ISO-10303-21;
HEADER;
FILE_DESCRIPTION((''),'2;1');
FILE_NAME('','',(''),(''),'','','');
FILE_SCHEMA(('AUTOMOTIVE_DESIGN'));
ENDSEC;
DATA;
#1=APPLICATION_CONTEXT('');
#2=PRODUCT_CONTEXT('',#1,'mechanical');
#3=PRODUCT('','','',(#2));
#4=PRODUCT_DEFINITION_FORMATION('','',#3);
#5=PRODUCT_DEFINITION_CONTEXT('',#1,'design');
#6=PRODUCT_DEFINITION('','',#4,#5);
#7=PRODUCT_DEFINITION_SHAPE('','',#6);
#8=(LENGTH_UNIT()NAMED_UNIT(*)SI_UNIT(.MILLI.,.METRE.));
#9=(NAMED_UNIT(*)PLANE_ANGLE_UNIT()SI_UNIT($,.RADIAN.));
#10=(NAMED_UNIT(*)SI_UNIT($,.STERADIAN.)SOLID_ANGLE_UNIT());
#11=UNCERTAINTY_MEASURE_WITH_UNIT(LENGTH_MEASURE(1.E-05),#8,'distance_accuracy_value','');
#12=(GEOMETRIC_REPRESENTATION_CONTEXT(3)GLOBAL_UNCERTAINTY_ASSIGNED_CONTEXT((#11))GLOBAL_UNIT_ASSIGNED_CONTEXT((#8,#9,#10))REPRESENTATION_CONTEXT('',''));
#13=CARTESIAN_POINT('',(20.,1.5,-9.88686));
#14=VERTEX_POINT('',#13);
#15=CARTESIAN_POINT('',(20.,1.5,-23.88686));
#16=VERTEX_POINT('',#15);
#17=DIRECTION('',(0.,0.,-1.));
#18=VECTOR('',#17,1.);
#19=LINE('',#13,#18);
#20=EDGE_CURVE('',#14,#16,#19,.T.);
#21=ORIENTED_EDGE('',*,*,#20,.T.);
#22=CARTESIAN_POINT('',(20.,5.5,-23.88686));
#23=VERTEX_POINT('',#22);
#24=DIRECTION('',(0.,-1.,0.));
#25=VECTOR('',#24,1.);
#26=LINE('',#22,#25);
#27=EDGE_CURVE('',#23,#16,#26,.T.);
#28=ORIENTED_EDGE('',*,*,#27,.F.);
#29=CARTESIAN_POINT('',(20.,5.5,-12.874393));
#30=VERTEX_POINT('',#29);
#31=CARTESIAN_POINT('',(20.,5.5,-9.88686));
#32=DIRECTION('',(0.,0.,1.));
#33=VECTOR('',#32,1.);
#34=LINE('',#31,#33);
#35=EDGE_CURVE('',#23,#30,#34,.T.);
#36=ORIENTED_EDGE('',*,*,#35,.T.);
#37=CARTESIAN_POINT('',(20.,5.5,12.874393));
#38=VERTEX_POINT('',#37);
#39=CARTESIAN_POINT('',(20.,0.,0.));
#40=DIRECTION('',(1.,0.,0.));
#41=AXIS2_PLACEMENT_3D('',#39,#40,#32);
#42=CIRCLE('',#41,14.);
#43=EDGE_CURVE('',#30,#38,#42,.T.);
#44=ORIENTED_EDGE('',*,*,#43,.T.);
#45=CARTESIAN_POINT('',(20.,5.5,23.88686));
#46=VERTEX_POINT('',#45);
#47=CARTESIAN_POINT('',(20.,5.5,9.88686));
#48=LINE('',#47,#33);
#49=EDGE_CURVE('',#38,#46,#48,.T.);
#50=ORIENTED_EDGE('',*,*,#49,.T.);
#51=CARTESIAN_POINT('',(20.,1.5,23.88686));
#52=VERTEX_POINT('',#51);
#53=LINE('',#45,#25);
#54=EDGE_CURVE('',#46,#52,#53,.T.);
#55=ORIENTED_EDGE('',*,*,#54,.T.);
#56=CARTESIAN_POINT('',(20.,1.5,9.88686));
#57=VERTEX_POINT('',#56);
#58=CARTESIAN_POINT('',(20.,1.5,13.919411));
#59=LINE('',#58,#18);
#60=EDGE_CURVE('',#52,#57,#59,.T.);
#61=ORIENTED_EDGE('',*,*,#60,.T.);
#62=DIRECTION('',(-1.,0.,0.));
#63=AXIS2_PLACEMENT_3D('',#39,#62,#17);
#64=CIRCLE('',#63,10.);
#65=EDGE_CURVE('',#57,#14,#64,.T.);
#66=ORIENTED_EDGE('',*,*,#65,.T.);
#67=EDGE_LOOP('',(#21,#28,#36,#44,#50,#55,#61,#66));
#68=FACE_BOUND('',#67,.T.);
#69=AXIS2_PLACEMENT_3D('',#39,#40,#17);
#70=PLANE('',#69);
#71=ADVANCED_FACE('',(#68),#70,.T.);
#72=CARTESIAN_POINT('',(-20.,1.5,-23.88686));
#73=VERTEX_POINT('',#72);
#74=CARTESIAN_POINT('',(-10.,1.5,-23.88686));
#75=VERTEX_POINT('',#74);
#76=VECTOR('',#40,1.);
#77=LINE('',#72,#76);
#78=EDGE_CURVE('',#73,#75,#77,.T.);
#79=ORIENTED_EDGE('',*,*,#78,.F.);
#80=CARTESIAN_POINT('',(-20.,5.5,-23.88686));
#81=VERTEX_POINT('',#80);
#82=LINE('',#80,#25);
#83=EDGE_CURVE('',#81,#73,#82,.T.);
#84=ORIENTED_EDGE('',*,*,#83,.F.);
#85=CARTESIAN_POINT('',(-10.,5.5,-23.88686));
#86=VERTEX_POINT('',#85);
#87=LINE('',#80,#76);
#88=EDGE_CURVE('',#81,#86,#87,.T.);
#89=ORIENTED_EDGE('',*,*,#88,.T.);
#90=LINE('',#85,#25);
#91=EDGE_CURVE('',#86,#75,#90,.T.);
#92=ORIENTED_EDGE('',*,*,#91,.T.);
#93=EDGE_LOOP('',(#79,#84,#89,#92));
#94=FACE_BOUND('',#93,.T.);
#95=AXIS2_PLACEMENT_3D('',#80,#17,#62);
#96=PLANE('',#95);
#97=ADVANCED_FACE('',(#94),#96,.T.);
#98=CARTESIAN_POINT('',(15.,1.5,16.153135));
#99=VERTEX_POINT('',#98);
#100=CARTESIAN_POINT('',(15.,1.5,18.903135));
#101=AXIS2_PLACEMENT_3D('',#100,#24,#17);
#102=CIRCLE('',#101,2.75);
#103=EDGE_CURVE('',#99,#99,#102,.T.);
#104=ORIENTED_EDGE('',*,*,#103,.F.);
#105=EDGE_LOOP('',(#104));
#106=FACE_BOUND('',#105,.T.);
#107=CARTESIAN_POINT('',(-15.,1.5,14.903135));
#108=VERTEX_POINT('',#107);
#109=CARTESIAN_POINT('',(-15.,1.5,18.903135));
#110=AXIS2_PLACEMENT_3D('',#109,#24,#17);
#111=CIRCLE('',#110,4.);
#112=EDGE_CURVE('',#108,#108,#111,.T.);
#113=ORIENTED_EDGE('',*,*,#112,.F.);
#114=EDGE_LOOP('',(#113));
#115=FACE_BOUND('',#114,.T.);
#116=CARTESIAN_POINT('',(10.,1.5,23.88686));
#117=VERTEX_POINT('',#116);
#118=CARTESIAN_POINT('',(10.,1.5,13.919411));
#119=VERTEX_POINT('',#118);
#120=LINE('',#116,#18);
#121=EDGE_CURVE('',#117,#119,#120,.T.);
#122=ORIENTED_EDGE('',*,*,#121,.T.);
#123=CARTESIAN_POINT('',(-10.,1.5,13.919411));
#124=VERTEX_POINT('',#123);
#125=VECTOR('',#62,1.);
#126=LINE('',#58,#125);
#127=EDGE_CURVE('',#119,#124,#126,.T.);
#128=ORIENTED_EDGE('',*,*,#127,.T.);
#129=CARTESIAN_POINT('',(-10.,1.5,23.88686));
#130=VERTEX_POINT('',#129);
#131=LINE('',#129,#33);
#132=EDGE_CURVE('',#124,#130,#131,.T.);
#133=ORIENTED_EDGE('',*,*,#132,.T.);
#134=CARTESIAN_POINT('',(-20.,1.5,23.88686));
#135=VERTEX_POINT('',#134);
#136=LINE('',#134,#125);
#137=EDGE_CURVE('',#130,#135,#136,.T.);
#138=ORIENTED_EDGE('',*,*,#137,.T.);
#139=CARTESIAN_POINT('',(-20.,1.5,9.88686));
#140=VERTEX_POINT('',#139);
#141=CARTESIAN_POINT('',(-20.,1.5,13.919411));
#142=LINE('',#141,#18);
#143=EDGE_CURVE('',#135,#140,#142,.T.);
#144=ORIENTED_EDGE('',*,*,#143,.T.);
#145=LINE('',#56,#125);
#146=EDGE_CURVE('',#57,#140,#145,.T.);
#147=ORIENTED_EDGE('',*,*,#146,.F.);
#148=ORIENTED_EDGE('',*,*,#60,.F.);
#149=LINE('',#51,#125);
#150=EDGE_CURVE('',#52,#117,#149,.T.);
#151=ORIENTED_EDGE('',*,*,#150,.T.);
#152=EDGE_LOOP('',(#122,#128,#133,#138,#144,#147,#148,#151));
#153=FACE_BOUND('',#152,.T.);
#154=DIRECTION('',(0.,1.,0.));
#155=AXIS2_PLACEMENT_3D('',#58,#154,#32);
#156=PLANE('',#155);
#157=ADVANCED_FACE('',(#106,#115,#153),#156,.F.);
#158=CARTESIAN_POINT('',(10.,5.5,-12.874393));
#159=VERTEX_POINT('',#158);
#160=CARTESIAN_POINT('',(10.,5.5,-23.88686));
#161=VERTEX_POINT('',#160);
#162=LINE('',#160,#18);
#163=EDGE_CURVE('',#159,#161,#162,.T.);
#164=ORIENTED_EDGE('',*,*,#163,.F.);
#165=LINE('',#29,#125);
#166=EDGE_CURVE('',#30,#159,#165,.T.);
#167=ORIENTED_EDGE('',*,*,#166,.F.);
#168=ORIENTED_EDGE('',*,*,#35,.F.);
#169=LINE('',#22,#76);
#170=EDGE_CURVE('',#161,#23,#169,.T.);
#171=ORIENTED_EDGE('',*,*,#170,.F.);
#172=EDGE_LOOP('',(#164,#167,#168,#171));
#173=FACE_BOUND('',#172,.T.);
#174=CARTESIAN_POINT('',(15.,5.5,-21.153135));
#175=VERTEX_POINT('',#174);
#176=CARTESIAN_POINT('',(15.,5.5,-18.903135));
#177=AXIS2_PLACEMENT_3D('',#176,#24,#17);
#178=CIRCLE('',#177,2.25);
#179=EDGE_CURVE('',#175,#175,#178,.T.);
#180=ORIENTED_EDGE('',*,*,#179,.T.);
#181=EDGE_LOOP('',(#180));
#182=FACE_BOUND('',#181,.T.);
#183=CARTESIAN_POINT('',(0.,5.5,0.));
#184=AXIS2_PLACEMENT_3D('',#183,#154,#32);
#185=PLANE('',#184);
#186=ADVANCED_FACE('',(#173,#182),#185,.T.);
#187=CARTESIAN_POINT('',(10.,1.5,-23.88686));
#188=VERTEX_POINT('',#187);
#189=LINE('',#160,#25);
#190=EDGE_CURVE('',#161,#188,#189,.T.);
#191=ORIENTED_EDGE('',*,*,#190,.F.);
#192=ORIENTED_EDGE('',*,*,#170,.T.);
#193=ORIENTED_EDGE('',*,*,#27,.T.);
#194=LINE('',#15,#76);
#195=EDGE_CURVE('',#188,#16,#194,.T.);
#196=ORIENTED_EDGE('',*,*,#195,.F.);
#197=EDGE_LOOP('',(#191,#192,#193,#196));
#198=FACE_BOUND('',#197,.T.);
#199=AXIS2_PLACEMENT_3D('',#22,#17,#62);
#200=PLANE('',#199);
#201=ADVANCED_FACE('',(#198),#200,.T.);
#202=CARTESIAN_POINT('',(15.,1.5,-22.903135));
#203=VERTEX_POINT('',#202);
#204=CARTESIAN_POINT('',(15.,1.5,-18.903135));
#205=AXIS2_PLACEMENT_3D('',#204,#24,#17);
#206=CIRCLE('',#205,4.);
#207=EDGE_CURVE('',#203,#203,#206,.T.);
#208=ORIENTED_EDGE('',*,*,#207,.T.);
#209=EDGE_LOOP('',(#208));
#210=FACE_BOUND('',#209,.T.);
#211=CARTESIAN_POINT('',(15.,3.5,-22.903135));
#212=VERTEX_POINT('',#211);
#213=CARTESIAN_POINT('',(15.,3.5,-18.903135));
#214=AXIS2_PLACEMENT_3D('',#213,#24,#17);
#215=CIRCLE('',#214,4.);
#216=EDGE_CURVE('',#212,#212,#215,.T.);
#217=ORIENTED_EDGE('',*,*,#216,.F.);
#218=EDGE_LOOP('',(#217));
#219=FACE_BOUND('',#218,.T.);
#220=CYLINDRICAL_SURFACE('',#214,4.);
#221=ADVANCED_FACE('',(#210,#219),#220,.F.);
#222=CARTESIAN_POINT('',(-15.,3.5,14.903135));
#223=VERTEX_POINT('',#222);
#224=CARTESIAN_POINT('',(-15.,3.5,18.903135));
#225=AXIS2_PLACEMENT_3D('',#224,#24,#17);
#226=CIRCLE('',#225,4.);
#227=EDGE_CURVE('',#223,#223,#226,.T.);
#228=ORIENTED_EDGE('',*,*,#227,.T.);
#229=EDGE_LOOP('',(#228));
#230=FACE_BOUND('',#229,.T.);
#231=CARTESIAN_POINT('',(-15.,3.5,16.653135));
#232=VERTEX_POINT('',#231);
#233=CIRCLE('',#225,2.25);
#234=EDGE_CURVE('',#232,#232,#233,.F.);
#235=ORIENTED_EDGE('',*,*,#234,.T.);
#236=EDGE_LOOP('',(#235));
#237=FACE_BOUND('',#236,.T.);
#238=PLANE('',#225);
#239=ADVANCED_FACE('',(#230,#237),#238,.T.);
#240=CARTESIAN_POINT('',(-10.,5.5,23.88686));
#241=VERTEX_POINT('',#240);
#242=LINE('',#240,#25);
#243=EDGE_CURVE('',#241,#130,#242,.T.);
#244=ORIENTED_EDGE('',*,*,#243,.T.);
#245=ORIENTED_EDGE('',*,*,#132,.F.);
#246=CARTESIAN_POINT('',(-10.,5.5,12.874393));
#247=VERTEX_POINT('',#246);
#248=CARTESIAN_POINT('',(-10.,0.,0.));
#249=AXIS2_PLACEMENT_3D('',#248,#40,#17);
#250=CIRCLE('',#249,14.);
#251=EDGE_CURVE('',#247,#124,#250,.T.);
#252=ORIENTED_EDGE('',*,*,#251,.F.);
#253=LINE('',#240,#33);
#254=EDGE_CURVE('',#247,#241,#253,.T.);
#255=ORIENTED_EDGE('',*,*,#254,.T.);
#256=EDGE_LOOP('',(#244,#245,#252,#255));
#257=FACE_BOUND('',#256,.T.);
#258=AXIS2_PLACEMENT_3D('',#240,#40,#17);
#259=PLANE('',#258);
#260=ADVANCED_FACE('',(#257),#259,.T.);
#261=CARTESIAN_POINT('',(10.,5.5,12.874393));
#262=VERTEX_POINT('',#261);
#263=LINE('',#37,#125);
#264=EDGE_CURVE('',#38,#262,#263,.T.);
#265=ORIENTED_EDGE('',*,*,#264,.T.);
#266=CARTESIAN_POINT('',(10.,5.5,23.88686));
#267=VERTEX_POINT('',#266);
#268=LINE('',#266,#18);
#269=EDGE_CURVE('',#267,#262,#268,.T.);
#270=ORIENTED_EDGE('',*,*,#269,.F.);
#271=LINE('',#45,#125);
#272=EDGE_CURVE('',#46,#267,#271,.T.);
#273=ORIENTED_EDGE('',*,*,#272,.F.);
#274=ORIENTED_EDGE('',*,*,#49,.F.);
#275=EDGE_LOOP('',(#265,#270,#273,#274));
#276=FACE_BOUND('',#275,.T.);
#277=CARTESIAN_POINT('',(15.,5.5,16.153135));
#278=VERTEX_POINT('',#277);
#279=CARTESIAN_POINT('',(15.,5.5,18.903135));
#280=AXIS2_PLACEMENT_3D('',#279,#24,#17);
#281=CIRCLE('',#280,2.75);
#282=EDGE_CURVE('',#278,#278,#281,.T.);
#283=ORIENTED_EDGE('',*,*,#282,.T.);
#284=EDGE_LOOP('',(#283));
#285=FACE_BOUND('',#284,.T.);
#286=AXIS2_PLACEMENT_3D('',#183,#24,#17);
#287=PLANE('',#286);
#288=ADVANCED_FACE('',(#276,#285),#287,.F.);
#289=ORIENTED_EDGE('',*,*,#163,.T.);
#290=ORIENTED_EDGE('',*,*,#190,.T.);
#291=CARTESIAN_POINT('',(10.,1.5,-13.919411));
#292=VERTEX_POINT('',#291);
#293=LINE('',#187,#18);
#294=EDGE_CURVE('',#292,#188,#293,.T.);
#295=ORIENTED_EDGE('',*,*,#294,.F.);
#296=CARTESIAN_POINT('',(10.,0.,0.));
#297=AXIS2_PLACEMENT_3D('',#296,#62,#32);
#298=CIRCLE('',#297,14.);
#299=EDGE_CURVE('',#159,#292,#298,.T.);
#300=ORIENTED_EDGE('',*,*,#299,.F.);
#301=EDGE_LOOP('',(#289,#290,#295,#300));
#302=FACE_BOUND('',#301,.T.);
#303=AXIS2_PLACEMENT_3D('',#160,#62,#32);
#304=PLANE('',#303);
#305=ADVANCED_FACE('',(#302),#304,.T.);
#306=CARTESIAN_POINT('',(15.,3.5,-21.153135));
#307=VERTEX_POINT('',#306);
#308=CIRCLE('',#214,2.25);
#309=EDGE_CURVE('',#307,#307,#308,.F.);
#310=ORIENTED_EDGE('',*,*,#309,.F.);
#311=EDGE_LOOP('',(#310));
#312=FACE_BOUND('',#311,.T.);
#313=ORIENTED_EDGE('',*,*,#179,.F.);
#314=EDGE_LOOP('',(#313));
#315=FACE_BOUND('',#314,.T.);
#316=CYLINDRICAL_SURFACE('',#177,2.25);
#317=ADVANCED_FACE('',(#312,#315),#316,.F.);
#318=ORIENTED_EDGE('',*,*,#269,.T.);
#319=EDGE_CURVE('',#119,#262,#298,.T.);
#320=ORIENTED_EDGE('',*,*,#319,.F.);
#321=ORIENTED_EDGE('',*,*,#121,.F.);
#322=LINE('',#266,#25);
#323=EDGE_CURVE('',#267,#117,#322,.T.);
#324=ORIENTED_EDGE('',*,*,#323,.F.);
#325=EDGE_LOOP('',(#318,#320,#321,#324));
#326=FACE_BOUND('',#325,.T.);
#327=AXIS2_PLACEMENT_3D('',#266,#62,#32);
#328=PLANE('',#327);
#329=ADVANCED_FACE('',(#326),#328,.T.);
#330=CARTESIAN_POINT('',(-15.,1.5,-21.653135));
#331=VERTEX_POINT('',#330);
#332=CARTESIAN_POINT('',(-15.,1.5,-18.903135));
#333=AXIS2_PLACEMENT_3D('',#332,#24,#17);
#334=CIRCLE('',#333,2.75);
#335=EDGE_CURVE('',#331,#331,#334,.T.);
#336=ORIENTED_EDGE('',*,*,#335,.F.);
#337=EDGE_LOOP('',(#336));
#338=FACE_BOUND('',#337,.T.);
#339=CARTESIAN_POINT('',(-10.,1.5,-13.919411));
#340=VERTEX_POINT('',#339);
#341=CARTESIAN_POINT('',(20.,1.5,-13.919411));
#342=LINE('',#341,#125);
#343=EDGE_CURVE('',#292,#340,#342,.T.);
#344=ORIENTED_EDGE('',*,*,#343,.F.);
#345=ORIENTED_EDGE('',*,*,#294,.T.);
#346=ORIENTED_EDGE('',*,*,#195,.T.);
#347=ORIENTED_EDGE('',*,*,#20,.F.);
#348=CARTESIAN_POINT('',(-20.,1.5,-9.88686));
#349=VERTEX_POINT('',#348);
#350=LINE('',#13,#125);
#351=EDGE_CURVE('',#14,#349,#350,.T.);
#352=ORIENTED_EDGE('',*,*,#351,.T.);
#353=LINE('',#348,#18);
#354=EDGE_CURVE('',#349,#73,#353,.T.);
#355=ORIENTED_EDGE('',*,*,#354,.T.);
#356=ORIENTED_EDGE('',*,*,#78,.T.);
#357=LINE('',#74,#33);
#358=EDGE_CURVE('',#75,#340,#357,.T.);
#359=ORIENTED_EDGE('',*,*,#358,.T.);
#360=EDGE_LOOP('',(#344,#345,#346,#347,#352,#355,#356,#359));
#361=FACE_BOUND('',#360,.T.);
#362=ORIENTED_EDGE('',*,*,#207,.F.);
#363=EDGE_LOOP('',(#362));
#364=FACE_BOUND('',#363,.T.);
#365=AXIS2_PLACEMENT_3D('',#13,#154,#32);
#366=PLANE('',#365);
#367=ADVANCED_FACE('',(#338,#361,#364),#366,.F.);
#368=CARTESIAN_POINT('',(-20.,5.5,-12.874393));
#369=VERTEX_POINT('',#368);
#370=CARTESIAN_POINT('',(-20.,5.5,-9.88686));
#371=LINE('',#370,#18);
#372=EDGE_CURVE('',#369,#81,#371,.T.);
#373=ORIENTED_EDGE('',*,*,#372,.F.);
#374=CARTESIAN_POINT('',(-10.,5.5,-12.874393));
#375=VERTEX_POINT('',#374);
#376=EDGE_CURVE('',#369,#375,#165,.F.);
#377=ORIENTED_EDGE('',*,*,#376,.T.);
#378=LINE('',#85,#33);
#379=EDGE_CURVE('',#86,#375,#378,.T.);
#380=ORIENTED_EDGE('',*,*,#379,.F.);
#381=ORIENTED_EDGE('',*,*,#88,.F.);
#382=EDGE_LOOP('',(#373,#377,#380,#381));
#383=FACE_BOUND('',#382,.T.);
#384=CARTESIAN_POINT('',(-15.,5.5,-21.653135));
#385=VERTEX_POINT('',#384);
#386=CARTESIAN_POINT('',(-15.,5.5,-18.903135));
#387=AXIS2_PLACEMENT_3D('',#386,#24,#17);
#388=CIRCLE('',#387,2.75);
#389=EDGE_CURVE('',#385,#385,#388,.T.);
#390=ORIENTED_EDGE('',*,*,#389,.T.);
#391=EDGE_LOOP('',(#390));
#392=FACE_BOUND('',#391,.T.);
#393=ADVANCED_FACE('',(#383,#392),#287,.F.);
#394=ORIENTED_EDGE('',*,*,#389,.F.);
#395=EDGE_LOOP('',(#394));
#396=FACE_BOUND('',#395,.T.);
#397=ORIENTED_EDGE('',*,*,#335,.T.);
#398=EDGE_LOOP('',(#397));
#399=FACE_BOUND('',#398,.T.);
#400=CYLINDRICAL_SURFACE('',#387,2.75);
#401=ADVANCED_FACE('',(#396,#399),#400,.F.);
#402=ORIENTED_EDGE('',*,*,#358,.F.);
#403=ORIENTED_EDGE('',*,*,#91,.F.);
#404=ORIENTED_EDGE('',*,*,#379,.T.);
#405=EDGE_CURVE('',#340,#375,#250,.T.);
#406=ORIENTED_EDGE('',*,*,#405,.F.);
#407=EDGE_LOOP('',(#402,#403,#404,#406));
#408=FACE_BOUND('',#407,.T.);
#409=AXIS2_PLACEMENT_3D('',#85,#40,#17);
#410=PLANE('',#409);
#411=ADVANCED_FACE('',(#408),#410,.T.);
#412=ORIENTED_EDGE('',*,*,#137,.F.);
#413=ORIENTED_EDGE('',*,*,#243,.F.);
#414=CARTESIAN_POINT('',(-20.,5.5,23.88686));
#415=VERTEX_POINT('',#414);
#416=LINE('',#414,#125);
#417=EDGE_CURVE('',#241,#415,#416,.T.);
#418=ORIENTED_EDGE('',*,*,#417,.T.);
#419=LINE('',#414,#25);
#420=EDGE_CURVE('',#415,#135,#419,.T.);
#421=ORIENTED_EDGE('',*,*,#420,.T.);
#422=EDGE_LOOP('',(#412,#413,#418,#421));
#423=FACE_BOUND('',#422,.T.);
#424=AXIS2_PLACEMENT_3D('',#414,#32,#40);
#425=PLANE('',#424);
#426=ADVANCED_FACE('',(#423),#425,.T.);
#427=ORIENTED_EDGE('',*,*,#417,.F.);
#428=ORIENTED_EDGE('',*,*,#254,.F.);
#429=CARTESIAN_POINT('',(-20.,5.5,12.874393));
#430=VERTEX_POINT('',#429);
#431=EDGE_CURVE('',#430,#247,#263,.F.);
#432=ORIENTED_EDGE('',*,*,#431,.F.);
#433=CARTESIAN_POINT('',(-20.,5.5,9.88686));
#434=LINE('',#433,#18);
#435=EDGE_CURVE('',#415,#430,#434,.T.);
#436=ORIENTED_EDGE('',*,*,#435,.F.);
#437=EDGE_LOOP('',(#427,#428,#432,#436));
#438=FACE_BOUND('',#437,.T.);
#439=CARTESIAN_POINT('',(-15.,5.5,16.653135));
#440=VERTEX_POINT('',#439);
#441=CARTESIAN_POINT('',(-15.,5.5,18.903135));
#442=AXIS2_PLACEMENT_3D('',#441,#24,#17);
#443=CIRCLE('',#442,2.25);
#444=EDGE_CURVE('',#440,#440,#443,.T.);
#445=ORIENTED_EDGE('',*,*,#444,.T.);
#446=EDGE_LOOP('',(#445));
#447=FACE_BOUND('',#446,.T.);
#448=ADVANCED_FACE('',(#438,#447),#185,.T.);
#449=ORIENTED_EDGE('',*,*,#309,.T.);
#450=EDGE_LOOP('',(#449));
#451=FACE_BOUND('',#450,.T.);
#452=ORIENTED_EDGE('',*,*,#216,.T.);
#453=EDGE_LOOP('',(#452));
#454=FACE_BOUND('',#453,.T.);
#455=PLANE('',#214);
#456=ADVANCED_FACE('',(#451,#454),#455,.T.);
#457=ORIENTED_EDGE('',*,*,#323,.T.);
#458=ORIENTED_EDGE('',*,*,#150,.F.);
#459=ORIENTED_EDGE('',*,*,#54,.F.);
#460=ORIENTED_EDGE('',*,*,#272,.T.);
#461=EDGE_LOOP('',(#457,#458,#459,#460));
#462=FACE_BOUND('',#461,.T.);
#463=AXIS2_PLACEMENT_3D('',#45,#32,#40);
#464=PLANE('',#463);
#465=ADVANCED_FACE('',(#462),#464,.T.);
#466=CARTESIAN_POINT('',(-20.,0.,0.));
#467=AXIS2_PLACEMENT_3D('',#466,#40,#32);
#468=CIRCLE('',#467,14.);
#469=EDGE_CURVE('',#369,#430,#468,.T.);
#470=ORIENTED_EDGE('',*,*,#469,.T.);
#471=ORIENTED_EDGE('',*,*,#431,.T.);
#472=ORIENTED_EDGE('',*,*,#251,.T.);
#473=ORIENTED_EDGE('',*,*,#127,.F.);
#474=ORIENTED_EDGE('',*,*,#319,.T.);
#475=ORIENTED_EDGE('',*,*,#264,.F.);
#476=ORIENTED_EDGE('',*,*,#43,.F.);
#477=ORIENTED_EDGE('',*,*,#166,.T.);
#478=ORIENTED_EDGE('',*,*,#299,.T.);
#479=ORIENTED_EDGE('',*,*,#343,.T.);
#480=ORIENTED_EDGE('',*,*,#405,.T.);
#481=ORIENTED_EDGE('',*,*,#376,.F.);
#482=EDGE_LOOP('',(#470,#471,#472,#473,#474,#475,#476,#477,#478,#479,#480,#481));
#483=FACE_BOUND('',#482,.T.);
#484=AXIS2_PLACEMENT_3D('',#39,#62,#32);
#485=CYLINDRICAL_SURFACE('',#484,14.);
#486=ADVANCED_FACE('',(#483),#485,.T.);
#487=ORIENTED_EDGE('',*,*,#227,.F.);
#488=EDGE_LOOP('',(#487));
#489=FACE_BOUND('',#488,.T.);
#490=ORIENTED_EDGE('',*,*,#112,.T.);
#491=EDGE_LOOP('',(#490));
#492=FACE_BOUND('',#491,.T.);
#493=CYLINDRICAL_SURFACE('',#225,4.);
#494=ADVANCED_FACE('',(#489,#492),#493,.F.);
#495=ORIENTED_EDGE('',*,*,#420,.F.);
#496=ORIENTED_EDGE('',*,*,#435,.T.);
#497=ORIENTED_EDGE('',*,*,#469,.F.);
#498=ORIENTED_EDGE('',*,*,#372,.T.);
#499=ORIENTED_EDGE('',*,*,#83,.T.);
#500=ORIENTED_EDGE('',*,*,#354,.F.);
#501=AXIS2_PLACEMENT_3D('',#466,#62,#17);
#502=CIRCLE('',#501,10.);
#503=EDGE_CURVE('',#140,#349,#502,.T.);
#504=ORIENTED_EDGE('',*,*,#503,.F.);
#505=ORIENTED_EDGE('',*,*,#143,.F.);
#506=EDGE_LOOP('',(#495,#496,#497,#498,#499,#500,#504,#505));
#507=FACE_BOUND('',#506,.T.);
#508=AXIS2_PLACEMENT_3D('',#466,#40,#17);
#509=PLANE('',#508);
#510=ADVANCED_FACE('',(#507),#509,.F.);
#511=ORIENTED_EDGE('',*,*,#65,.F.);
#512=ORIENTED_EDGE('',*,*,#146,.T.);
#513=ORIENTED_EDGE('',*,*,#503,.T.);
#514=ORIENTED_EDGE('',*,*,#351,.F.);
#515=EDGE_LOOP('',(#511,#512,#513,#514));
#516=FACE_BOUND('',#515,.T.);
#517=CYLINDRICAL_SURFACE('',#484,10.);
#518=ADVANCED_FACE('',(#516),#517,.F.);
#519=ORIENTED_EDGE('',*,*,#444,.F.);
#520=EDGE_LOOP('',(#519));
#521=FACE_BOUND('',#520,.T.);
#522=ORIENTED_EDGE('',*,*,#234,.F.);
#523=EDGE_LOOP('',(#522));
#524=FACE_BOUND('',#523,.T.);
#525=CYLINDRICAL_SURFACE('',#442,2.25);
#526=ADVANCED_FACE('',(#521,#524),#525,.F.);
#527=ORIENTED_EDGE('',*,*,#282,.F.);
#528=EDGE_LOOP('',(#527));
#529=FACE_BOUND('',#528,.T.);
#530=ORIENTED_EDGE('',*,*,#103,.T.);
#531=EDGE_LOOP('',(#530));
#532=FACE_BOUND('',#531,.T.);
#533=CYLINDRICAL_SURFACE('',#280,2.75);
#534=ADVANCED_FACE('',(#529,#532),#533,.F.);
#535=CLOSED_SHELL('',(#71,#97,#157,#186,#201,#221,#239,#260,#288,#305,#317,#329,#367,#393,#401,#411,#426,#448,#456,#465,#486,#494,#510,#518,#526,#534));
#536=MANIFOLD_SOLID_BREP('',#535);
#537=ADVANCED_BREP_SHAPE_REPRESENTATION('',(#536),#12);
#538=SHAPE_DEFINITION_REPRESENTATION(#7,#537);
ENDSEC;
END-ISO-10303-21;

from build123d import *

# Parameters (mm, degrees)
BOSS_EXTRUDE2_DEPTH = 20
SKETCH2_W           = 10
SKETCH2_H           = 14
SKETCH2_R           = 2.75
SKETCH2_R_2         = 2.25
BOSS_EXTRUDE3_DEPTH = 4
SKETCH6_R           = 4
CUT_EXTRUDE1_DEPTH  = 2


with BuildPart() as part:
    # Sketch1 → Boss-Extrude2 (new, symmetric)
    with BuildSketch(Plane(origin=(0, 0, 0), x_dir=(0, 0, -1), z_dir=(1, 0, 0))):
        with BuildLine():
            Line((-13.919410907, 1.5), (-9.886859967, 1.5))
            ThreePointArc((-9.886859967, 1.5), (0, 10), (9.886859967, 1.5))
            Line((9.886859967, 1.5), (13.919410907, 1.5))
            ThreePointArc((13.919410907, 1.5), (0, 14), (-13.919410907, 1.5))
        make_face()
    extrude(amount=BOSS_EXTRUDE2_DEPTH, both=True)

    # Sketch2 → Boss-Extrude3 (add)
    # profile 1 of 4: a face of its own
    with BuildSketch(Plane.XZ.offset(-1.5)):
        with Locations((-15, -16.886859967)):
            Rectangle(SKETCH2_W, SKETCH2_H)
        with Locations(Location((-15, -18.903135437, 0), (0, 0, 270))):
            Circle(SKETCH2_R, mode=Mode.SUBTRACT)
    # profile 2 of 4: a face of its own
    with BuildSketch(Plane.XZ.offset(-1.5)):
        with Locations((15, -16.886859967)):
            Rectangle(SKETCH2_W, SKETCH2_H)
        with Locations(Location((15, -18.903135437, 0), (0, 0, 270))):
            Circle(SKETCH2_R_2, mode=Mode.SUBTRACT)
    # profile 3 of 4: a face of its own
    with BuildSketch(Plane.XZ.offset(-1.5)):
        with Locations((-15, 16.886859967)):
            Rectangle(SKETCH2_W, SKETCH2_H)
        with Locations(Location((-15, 18.903135437, 0), (0, 0, 270))):
            Circle(SKETCH2_R_2, mode=Mode.SUBTRACT)
    # profile 4 of 4: a face of its own
    with BuildSketch(Plane.XZ.offset(-1.5)):
        with Locations((15, 16.886859967)):
            Rectangle(SKETCH2_W, SKETCH2_H)
        with Locations(Location((15, 18.903135437, 0), (0, 0, 270))):
            Circle(SKETCH2_R, mode=Mode.SUBTRACT)
    extrude(amount=-BOSS_EXTRUDE3_DEPTH)

    # Sketch6 → Cut-Extrude1 (cut)
    with BuildSketch(Plane.XZ.offset(-1.5)):
        with Locations(Location((-15, 18.903135437, 0), (0, 0, 270))):
            Circle(SKETCH6_R)
        with Locations(Location((15, -18.903135437, 0), (0, 0, 270))):
            Circle(SKETCH6_R)
    extrude(amount=-CUT_EXTRUDE1_DEPTH, mode=Mode.SUBTRACT)


solid = part.part
